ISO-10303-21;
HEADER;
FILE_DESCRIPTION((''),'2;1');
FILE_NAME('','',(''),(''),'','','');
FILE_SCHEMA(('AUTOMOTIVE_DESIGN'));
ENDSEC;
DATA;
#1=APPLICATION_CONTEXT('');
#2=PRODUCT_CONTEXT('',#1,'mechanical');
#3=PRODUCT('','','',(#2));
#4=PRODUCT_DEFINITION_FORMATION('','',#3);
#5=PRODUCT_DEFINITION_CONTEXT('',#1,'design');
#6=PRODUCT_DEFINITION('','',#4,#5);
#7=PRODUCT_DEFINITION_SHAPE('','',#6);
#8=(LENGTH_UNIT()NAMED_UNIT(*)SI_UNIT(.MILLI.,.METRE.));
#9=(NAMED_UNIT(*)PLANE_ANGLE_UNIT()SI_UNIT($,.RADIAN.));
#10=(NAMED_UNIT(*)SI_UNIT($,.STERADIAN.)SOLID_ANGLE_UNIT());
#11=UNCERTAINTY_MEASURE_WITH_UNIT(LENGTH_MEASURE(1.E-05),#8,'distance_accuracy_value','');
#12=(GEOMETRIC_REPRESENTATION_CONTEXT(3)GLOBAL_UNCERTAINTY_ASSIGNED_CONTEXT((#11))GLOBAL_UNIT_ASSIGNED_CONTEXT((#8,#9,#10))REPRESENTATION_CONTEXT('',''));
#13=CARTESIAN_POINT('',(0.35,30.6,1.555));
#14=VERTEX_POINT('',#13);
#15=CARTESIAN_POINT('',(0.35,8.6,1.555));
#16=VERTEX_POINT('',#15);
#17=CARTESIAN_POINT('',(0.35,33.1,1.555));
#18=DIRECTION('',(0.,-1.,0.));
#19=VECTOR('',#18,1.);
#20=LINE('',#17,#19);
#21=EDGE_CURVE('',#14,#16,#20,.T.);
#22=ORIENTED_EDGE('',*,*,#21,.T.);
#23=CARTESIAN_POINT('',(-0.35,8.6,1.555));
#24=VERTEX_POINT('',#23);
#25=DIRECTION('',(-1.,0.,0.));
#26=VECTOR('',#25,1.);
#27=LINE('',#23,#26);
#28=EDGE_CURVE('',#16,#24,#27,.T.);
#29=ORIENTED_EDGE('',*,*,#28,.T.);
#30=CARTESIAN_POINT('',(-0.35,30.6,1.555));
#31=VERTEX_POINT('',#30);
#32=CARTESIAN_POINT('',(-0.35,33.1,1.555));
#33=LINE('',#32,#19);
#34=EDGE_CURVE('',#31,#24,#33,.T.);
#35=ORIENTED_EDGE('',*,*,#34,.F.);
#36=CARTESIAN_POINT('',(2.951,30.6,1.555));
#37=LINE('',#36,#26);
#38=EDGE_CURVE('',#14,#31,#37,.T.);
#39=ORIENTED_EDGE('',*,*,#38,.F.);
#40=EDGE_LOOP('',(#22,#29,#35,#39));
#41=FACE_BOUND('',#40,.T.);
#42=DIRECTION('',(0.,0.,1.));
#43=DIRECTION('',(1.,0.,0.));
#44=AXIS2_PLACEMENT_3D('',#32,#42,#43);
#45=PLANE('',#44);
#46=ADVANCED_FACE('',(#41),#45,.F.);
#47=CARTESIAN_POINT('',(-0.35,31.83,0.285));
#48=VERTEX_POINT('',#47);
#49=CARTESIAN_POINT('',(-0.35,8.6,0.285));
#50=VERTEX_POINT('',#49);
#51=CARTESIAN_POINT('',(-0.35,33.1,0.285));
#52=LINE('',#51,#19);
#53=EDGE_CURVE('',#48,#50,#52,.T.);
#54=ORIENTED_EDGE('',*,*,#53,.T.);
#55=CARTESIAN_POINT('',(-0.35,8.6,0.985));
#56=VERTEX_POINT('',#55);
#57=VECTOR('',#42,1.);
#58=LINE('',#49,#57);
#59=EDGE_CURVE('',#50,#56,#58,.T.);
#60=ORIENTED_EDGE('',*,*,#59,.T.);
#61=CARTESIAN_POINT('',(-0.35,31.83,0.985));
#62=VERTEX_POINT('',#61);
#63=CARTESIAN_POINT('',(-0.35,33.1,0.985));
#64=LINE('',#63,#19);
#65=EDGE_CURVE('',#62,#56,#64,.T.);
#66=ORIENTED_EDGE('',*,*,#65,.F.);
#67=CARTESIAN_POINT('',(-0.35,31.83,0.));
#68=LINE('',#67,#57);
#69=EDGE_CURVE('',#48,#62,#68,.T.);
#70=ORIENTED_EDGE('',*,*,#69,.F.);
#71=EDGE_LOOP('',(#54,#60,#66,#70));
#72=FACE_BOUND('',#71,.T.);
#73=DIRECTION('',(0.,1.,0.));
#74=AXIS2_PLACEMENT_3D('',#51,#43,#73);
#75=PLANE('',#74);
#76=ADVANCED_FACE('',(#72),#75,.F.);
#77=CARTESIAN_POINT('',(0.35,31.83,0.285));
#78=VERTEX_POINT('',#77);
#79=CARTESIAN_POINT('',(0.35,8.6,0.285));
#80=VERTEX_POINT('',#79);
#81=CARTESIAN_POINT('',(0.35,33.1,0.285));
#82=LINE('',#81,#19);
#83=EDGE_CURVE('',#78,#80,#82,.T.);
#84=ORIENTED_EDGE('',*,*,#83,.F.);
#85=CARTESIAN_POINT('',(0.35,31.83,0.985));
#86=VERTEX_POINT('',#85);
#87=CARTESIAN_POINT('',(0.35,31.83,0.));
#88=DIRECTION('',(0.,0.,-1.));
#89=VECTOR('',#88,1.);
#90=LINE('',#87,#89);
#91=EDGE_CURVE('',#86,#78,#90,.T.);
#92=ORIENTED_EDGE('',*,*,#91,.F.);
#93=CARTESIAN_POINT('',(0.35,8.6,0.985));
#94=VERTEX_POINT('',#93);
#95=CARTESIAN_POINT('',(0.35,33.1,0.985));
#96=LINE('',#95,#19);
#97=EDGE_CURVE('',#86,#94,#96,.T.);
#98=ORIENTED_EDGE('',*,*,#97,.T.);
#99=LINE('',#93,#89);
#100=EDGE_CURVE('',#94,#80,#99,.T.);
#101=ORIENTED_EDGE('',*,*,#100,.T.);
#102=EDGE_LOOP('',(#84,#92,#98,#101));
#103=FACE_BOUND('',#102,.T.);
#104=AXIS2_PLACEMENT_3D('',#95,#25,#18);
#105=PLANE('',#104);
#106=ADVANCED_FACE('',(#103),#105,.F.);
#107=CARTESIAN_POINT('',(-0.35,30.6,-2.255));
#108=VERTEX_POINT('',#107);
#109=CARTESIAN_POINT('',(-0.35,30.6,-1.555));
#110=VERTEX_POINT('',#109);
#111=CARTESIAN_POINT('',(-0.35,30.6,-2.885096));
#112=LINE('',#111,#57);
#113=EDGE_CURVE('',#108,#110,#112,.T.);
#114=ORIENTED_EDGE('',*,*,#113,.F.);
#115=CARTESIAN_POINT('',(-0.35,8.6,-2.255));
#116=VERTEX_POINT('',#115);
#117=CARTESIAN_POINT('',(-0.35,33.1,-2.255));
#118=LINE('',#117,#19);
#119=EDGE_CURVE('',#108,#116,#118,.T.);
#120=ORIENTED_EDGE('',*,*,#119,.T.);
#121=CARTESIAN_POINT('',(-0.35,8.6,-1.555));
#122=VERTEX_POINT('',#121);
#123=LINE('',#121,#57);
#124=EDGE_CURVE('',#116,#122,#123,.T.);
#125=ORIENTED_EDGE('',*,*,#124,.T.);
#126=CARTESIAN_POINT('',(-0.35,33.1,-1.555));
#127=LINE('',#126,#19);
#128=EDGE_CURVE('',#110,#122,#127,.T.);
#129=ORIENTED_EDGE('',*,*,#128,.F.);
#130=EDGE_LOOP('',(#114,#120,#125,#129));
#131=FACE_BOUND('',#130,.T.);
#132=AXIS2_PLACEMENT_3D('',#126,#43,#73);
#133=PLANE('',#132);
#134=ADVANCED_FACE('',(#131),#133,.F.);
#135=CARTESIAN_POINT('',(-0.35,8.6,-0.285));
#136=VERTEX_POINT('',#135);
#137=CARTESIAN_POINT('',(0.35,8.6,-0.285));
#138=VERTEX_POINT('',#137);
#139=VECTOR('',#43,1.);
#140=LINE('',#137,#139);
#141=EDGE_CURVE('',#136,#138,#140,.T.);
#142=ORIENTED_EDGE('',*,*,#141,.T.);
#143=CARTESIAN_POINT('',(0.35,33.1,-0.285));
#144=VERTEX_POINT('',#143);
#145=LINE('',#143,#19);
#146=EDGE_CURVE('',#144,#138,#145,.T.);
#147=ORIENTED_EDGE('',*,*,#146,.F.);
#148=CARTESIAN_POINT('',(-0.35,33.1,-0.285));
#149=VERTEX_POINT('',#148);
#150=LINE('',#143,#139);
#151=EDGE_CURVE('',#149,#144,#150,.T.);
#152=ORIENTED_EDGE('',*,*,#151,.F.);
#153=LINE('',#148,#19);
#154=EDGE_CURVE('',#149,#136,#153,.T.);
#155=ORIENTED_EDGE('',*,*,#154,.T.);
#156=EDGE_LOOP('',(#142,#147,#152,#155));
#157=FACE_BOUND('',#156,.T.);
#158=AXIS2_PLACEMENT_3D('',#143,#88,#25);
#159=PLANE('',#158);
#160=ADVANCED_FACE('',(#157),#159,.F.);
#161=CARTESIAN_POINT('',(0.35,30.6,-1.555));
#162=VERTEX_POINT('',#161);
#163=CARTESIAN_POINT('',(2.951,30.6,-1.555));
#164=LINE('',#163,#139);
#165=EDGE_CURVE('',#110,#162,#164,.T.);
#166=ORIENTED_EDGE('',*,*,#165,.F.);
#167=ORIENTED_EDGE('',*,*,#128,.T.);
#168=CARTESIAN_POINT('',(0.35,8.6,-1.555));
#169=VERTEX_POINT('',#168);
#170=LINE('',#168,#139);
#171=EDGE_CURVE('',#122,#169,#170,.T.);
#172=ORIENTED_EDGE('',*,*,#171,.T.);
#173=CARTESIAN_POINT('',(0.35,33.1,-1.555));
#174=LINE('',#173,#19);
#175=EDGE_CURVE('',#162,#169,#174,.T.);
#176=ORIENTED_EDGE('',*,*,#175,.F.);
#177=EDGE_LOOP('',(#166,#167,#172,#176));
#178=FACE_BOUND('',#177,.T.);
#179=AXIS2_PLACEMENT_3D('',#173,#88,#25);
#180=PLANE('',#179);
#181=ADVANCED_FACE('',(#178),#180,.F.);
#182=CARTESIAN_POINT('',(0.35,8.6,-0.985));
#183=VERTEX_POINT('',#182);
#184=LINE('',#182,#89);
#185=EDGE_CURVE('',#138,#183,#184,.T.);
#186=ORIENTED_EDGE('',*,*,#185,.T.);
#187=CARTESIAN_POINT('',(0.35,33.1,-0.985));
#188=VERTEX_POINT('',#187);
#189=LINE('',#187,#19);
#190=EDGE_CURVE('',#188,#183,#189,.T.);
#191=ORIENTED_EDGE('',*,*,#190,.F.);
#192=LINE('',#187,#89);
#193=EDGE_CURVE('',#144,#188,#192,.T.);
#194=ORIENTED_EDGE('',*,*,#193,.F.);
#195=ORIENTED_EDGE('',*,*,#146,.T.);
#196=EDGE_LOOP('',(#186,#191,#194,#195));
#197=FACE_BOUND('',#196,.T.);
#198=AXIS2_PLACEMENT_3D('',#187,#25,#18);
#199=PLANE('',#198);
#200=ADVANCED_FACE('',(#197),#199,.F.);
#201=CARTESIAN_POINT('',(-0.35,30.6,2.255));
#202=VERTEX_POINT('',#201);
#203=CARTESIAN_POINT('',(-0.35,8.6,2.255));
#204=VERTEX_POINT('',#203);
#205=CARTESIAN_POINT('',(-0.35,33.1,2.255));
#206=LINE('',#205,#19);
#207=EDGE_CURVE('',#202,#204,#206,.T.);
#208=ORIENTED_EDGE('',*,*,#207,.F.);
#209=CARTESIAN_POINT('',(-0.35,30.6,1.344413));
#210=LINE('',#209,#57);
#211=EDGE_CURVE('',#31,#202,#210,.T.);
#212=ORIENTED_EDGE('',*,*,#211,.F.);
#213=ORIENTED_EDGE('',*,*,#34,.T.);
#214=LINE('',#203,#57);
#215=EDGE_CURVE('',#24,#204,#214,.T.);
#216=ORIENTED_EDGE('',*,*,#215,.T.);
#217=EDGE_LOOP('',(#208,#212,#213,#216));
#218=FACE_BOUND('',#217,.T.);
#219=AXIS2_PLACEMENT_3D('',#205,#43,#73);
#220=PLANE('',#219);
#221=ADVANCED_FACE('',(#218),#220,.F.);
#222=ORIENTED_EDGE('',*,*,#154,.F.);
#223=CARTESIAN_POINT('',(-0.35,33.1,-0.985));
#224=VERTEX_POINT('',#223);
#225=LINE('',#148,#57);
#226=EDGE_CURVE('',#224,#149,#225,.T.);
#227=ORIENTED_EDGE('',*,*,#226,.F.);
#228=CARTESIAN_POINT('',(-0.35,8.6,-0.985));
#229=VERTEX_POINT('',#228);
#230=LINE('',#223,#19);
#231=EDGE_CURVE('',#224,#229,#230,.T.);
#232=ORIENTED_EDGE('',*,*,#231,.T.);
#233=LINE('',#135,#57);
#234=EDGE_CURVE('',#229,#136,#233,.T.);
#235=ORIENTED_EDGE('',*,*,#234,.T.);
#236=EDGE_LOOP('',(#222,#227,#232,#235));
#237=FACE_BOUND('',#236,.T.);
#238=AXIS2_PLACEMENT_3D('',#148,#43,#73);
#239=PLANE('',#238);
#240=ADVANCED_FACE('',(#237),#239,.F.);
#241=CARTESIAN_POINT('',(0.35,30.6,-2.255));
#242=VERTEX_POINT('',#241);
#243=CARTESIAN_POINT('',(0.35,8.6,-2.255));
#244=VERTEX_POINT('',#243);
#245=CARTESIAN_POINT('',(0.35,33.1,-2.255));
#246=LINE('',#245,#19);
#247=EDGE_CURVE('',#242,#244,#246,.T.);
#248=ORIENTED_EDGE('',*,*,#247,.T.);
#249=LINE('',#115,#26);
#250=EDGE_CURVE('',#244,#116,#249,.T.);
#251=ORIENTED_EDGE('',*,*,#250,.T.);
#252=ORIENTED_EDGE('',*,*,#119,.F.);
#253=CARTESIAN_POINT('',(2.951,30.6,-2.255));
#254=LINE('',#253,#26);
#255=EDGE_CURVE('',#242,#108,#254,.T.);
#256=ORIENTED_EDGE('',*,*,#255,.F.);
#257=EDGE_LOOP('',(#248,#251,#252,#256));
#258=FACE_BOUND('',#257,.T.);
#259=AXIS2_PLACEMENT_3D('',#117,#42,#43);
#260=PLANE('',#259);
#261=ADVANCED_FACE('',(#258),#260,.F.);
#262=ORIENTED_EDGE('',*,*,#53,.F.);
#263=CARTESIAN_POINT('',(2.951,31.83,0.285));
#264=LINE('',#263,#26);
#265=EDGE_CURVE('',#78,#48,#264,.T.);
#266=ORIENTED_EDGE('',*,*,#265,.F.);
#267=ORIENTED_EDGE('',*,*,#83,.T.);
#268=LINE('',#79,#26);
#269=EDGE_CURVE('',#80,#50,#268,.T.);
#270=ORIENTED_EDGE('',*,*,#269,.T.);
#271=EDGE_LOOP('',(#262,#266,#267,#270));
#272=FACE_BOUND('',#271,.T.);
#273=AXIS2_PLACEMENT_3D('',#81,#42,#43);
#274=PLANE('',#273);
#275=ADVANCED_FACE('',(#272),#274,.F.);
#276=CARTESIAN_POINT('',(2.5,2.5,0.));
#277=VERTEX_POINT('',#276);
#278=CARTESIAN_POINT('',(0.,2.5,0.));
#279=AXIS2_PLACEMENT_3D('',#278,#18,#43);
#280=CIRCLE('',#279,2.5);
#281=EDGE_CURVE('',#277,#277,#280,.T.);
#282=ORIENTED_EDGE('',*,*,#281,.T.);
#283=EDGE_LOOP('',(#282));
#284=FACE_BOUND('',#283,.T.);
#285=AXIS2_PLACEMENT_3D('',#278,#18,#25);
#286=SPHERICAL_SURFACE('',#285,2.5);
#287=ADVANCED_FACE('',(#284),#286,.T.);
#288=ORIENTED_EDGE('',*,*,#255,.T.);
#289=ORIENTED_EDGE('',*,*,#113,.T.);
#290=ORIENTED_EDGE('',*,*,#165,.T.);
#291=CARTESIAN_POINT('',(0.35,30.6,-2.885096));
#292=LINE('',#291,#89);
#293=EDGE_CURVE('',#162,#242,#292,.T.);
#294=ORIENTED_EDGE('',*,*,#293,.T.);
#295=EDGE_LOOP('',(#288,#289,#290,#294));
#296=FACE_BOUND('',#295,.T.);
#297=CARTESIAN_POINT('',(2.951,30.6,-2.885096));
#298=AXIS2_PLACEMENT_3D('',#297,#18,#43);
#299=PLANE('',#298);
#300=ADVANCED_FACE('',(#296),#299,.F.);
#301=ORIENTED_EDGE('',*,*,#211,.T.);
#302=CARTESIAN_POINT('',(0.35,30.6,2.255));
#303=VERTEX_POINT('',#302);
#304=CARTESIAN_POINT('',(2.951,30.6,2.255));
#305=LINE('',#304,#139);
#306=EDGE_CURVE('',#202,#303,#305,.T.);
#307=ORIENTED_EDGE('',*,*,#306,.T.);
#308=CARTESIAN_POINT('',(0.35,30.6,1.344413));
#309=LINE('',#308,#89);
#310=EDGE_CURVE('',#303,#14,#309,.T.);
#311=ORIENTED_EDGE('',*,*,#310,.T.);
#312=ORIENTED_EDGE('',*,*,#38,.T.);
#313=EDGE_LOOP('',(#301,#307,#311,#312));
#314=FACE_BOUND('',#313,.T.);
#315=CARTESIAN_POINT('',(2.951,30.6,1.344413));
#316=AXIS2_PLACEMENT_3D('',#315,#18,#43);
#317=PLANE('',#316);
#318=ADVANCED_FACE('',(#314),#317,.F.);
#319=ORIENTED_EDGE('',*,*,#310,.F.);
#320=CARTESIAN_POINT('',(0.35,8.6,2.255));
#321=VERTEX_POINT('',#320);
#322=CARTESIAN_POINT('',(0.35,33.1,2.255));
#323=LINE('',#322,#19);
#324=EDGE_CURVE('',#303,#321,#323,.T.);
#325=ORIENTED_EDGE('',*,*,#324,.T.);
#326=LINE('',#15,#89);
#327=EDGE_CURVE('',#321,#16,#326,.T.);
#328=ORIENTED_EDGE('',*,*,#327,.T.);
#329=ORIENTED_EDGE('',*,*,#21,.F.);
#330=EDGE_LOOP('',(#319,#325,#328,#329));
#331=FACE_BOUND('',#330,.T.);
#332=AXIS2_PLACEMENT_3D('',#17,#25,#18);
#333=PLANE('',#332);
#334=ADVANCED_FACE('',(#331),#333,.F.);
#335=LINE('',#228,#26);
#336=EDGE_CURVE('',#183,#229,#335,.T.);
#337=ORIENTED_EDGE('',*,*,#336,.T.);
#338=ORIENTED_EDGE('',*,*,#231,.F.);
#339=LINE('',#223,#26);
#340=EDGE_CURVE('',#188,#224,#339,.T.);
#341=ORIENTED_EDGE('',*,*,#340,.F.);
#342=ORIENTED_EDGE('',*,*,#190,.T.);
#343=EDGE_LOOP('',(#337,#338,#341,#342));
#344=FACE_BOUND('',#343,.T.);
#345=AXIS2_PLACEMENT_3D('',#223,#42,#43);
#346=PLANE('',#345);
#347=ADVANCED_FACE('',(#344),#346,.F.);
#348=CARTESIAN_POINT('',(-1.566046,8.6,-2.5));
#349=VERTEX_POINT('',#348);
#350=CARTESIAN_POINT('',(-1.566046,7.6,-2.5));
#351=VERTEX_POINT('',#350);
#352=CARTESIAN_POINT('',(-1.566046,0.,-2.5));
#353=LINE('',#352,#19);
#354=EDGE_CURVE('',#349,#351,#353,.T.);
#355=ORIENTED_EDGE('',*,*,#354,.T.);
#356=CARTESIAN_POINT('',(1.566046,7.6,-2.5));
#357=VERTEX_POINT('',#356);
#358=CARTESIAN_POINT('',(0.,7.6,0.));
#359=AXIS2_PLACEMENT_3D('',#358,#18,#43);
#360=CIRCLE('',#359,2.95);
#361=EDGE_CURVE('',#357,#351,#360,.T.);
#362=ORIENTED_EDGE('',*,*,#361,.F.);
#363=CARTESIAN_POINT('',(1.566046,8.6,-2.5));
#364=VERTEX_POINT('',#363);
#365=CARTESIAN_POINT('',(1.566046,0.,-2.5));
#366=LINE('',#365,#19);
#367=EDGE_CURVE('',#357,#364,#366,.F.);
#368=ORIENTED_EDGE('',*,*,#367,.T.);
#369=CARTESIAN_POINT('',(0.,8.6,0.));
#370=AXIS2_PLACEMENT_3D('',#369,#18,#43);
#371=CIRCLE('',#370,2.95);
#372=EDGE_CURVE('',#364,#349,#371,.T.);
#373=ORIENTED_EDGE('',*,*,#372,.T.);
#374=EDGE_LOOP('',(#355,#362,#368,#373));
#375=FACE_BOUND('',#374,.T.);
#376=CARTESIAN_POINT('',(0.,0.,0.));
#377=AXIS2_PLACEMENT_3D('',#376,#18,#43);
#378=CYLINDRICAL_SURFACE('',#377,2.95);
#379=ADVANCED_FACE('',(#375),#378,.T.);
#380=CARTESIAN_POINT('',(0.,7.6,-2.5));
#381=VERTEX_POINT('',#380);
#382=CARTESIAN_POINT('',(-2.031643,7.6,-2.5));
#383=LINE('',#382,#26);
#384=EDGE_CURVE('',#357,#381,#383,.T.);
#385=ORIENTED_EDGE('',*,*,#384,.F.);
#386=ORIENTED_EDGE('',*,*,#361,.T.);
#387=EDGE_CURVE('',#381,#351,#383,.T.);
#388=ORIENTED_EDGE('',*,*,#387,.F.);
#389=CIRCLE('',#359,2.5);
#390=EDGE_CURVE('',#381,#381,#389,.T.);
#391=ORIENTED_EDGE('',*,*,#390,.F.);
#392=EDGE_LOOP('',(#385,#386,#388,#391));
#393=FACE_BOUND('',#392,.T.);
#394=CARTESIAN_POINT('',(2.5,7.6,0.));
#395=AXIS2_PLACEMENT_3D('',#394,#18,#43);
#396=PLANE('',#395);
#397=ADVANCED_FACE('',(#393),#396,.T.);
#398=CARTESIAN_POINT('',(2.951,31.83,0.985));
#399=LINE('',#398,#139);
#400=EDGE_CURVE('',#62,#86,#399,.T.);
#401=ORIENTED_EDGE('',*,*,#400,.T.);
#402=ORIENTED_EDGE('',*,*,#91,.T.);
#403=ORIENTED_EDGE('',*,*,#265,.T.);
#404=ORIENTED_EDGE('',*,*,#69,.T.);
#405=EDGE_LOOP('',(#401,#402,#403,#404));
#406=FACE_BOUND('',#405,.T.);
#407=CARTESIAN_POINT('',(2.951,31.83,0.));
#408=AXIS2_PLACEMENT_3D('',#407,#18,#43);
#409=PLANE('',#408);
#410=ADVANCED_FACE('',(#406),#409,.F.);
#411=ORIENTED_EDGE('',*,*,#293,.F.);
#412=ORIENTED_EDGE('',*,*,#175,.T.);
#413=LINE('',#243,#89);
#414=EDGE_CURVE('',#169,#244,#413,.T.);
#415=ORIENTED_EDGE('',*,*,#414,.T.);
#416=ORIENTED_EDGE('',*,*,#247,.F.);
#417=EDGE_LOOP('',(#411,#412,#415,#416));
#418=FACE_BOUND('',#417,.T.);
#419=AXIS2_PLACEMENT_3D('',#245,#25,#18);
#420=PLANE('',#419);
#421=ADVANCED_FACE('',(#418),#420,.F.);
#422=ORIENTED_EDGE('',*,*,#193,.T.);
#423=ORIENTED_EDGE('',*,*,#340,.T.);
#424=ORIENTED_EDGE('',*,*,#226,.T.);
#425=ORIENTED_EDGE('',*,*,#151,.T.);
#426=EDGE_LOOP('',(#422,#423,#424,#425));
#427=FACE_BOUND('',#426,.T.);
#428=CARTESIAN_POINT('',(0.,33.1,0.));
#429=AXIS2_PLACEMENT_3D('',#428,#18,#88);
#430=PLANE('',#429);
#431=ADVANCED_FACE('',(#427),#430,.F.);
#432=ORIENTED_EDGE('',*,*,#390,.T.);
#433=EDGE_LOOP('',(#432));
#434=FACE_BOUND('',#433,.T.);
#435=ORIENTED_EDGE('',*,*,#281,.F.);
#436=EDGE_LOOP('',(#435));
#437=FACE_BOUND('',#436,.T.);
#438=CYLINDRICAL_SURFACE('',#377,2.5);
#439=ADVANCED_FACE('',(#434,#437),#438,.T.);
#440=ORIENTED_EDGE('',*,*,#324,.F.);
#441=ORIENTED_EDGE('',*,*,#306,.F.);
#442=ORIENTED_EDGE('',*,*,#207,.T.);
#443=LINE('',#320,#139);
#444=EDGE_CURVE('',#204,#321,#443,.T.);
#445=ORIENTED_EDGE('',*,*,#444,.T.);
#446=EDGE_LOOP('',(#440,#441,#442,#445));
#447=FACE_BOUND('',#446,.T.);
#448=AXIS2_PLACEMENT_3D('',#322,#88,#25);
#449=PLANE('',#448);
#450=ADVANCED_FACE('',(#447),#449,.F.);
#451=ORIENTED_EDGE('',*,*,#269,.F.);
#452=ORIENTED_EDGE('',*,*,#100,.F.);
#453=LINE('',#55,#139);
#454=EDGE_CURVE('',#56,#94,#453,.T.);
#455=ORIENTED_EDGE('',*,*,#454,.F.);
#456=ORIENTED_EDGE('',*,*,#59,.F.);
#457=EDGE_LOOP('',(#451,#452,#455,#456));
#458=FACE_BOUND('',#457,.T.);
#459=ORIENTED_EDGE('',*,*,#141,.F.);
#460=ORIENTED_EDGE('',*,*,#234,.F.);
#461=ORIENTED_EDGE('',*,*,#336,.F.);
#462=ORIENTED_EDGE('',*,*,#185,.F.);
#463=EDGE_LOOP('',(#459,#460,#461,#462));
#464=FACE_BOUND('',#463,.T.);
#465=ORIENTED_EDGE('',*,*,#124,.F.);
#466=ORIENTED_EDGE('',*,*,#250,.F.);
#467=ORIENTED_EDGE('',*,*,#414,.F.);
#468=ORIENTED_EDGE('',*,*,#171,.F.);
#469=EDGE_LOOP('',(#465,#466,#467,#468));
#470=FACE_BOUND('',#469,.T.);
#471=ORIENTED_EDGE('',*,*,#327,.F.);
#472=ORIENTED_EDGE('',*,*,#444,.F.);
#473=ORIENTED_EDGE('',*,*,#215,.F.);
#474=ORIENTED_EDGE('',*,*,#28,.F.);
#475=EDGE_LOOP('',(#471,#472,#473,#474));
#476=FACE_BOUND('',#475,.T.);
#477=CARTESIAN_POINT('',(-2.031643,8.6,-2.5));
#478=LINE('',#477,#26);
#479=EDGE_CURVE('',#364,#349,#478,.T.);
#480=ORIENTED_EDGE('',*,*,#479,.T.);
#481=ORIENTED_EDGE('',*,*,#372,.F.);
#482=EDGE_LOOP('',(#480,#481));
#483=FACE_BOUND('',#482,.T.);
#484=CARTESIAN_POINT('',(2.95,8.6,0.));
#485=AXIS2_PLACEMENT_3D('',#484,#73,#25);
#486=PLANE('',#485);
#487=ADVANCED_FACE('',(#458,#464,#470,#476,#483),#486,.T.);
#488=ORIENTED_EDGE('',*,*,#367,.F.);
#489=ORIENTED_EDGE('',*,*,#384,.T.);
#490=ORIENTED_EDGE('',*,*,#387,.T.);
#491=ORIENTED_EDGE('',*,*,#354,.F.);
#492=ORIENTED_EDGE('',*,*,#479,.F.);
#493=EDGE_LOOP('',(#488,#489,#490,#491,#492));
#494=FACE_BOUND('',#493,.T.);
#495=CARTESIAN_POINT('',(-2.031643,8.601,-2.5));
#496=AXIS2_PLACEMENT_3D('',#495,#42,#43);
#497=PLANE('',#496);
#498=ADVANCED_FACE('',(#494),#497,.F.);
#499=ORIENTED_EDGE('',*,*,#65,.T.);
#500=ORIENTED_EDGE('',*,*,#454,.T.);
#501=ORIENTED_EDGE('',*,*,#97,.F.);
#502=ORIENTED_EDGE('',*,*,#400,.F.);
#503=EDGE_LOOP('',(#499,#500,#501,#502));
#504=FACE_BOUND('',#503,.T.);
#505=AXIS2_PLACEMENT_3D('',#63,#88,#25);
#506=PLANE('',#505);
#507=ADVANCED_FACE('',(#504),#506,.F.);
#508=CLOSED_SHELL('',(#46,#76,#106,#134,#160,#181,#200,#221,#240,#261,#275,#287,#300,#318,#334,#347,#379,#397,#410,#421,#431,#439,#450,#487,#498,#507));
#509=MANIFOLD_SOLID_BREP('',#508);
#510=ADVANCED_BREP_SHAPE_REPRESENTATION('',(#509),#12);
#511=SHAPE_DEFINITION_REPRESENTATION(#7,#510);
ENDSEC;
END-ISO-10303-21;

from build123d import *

# Parameters (mm, degrees)
ENL_V_MAT_EXTRU_1_REACH = 3
ESQUISSE3_W             = 0.7
ESQUISSE3_H             = 0.7
BOSS_EXTRU_1_DEPTH      = 24.5
ENL_V_START             = -3.3
ENL_V_MAT_EXTRU_2_DEPTH = 5.9


with BuildPart() as part:
    # Esquisse1 → Révolution1 (revolve)
    with BuildSketch(Plane.XY):
        with BuildLine():
            Line((2.5, 7.6), (2.5, 2.5))
            ThreePointArc((2.5, 2.5), (1.767766953, 0.732233047), (0, 0))
            Line((0, 0), (0, 8.6))
            Line((0, 8.6), (2.95, 8.6))
            Line((2.95, 8.6), (2.95, 7.6))
            Line((2.95, 7.6), (2.5, 7.6))
        make_face()
    revolve(axis=Axis((0, 0, 0), (0, 1, 0)))

    # Esquisse2 → Enlèv. mat.-Extru.1 (cut, up to next)
    with BuildSketch(Plane(origin=(0, 7.6, 0), x_dir=(-1, 0, 0), z_dir=(0, -1, 0)), mode=Mode.PRIVATE) as enl_v_mat_extru_1_sk1:
        Polygon((2.031643218, 2.5), (-2.119175806, 2.5), (-0.304277426, 5.41579693), align=None)
    enl_v_mat_extru_1_tool1 = extrude(enl_v_mat_extru_1_sk1.sketch, amount=-ENL_V_MAT_EXTRU_1_REACH, mode=Mode.PRIVATE) & part.part
    add(enl_v_mat_extru_1_tool1.solids().sort_by_distance((0.130603, 7.6, -3.471932))[0], mode=Mode.SUBTRACT)

    # Esquisse3 → Boss.-Extru.1 (add)
    with BuildSketch(Plane(origin=(0, 8.6, 0), x_dir=(1, 0, 0), z_dir=(0, 1, 0))):
        with Locations((0, 1.905)):
            Rectangle(ESQUISSE3_W, ESQUISSE3_H)
        with Locations((0, -0.635)):
            Rectangle(ESQUISSE3_W, ESQUISSE3_H)
        with Locations((0, -1.905)):
            Rectangle(ESQUISSE3_W, ESQUISSE3_H)
        with Locations((0, 0.635)):
            Rectangle(ESQUISSE3_W, ESQUISSE3_H)
    extrude(amount=BOSS_EXTRU_1_DEPTH)

    # Esquisse4 → Enlèv. mat.-Extru.2 (cut)
    with BuildSketch(Plane.ZY.offset(0.35).offset(ENL_V_START)):
        Polygon((-2.885095567, 30.6), (-1.265657514, 30.6), (-1.265657514, 33.921907916), (0, 33.921907916), (0, 31.83), (1.344412991, 31.83), (1.344412991, 30.6), (2.897512796, 30.6), (2.897512796, 34.676886987), (-2.885095567, 34.676886987), align=None)
    extrude(amount=ENL_V_MAT_EXTRU_2_DEPTH, mode=Mode.SUBTRACT)


solid = part.part
